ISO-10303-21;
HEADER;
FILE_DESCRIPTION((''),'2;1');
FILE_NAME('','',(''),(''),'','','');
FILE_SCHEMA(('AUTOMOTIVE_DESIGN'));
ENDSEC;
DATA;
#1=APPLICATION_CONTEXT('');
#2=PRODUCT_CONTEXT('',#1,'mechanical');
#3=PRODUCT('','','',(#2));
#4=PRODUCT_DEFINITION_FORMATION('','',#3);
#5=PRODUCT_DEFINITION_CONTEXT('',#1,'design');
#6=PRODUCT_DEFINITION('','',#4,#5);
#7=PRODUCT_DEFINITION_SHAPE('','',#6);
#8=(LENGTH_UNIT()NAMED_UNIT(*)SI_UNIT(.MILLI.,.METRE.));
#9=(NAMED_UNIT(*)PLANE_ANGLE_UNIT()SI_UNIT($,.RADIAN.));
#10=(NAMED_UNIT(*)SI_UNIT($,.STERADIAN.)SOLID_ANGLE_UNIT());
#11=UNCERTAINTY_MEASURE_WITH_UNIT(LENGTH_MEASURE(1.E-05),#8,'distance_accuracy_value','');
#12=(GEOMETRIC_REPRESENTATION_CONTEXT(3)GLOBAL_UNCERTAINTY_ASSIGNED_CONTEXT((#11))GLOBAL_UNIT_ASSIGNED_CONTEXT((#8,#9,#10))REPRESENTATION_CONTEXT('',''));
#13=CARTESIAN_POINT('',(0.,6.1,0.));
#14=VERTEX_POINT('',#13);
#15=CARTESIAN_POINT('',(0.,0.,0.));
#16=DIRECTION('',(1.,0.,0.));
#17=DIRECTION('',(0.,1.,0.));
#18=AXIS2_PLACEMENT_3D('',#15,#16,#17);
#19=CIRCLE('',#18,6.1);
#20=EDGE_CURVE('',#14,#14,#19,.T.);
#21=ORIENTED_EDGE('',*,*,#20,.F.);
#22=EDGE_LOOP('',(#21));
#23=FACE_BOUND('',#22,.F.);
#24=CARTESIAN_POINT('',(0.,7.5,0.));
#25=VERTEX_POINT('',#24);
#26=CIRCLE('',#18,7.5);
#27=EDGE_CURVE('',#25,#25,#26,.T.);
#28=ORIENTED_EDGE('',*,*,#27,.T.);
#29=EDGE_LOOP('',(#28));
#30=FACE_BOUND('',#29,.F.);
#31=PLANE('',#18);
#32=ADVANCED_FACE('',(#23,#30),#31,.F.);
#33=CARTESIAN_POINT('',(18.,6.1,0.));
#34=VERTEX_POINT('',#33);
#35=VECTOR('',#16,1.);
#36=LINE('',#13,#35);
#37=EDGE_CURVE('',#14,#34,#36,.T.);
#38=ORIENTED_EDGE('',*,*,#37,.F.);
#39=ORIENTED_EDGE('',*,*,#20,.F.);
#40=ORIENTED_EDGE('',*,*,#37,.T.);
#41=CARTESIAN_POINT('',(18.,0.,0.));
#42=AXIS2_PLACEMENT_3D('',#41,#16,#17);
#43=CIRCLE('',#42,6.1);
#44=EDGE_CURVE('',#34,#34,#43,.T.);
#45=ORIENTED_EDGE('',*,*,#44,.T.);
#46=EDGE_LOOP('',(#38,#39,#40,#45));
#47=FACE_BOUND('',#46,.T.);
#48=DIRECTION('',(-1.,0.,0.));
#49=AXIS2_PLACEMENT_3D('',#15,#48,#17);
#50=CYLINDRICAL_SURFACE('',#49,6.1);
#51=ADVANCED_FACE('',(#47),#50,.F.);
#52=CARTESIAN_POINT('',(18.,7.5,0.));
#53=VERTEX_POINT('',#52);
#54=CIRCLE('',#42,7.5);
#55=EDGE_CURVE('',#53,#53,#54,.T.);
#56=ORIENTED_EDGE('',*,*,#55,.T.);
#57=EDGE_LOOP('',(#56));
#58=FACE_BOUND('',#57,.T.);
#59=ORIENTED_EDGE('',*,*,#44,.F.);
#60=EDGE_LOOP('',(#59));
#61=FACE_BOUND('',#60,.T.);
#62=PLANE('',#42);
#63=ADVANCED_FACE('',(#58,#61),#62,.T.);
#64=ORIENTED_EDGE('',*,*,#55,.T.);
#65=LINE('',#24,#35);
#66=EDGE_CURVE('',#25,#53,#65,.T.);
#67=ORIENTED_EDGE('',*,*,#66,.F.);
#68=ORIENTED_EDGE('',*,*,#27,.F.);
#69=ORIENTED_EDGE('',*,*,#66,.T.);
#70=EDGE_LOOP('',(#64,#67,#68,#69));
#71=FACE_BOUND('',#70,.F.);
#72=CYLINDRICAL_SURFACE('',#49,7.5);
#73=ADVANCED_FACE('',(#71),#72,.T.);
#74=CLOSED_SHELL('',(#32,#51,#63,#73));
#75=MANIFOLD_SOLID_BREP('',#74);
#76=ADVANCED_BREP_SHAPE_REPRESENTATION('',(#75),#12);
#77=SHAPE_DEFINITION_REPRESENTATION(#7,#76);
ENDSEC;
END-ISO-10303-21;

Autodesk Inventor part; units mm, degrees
ref_plane "YZ Plane" through (0, 0, 0) normal (1, 0, 0) x (0, 1, 0)
ref_plane "XZ Plane" through (0, 0, 0) normal (0, 1, 0) x (-1, 0, 0)
ref_plane "XY Plane" through (0, 0, 0) normal (0, 0, 1) x (1, 0, 0)
sketch "スケッチ1" plane through (0, 0, 0) normal (1, 0, 0) x (0, 1, 0)
  circle A0 centre (0, 0) radius 6.1
  circle A1 centre (0, 0) radius 7.5
  dimension "d0" = 12.2
  dimension "d1" = 15
extrude "押し出し1" add sketch "スケッチ1" along normal blind 18
properties part number "dribl-v1-3DP-spesa-3" material "ABS プラスチック"
